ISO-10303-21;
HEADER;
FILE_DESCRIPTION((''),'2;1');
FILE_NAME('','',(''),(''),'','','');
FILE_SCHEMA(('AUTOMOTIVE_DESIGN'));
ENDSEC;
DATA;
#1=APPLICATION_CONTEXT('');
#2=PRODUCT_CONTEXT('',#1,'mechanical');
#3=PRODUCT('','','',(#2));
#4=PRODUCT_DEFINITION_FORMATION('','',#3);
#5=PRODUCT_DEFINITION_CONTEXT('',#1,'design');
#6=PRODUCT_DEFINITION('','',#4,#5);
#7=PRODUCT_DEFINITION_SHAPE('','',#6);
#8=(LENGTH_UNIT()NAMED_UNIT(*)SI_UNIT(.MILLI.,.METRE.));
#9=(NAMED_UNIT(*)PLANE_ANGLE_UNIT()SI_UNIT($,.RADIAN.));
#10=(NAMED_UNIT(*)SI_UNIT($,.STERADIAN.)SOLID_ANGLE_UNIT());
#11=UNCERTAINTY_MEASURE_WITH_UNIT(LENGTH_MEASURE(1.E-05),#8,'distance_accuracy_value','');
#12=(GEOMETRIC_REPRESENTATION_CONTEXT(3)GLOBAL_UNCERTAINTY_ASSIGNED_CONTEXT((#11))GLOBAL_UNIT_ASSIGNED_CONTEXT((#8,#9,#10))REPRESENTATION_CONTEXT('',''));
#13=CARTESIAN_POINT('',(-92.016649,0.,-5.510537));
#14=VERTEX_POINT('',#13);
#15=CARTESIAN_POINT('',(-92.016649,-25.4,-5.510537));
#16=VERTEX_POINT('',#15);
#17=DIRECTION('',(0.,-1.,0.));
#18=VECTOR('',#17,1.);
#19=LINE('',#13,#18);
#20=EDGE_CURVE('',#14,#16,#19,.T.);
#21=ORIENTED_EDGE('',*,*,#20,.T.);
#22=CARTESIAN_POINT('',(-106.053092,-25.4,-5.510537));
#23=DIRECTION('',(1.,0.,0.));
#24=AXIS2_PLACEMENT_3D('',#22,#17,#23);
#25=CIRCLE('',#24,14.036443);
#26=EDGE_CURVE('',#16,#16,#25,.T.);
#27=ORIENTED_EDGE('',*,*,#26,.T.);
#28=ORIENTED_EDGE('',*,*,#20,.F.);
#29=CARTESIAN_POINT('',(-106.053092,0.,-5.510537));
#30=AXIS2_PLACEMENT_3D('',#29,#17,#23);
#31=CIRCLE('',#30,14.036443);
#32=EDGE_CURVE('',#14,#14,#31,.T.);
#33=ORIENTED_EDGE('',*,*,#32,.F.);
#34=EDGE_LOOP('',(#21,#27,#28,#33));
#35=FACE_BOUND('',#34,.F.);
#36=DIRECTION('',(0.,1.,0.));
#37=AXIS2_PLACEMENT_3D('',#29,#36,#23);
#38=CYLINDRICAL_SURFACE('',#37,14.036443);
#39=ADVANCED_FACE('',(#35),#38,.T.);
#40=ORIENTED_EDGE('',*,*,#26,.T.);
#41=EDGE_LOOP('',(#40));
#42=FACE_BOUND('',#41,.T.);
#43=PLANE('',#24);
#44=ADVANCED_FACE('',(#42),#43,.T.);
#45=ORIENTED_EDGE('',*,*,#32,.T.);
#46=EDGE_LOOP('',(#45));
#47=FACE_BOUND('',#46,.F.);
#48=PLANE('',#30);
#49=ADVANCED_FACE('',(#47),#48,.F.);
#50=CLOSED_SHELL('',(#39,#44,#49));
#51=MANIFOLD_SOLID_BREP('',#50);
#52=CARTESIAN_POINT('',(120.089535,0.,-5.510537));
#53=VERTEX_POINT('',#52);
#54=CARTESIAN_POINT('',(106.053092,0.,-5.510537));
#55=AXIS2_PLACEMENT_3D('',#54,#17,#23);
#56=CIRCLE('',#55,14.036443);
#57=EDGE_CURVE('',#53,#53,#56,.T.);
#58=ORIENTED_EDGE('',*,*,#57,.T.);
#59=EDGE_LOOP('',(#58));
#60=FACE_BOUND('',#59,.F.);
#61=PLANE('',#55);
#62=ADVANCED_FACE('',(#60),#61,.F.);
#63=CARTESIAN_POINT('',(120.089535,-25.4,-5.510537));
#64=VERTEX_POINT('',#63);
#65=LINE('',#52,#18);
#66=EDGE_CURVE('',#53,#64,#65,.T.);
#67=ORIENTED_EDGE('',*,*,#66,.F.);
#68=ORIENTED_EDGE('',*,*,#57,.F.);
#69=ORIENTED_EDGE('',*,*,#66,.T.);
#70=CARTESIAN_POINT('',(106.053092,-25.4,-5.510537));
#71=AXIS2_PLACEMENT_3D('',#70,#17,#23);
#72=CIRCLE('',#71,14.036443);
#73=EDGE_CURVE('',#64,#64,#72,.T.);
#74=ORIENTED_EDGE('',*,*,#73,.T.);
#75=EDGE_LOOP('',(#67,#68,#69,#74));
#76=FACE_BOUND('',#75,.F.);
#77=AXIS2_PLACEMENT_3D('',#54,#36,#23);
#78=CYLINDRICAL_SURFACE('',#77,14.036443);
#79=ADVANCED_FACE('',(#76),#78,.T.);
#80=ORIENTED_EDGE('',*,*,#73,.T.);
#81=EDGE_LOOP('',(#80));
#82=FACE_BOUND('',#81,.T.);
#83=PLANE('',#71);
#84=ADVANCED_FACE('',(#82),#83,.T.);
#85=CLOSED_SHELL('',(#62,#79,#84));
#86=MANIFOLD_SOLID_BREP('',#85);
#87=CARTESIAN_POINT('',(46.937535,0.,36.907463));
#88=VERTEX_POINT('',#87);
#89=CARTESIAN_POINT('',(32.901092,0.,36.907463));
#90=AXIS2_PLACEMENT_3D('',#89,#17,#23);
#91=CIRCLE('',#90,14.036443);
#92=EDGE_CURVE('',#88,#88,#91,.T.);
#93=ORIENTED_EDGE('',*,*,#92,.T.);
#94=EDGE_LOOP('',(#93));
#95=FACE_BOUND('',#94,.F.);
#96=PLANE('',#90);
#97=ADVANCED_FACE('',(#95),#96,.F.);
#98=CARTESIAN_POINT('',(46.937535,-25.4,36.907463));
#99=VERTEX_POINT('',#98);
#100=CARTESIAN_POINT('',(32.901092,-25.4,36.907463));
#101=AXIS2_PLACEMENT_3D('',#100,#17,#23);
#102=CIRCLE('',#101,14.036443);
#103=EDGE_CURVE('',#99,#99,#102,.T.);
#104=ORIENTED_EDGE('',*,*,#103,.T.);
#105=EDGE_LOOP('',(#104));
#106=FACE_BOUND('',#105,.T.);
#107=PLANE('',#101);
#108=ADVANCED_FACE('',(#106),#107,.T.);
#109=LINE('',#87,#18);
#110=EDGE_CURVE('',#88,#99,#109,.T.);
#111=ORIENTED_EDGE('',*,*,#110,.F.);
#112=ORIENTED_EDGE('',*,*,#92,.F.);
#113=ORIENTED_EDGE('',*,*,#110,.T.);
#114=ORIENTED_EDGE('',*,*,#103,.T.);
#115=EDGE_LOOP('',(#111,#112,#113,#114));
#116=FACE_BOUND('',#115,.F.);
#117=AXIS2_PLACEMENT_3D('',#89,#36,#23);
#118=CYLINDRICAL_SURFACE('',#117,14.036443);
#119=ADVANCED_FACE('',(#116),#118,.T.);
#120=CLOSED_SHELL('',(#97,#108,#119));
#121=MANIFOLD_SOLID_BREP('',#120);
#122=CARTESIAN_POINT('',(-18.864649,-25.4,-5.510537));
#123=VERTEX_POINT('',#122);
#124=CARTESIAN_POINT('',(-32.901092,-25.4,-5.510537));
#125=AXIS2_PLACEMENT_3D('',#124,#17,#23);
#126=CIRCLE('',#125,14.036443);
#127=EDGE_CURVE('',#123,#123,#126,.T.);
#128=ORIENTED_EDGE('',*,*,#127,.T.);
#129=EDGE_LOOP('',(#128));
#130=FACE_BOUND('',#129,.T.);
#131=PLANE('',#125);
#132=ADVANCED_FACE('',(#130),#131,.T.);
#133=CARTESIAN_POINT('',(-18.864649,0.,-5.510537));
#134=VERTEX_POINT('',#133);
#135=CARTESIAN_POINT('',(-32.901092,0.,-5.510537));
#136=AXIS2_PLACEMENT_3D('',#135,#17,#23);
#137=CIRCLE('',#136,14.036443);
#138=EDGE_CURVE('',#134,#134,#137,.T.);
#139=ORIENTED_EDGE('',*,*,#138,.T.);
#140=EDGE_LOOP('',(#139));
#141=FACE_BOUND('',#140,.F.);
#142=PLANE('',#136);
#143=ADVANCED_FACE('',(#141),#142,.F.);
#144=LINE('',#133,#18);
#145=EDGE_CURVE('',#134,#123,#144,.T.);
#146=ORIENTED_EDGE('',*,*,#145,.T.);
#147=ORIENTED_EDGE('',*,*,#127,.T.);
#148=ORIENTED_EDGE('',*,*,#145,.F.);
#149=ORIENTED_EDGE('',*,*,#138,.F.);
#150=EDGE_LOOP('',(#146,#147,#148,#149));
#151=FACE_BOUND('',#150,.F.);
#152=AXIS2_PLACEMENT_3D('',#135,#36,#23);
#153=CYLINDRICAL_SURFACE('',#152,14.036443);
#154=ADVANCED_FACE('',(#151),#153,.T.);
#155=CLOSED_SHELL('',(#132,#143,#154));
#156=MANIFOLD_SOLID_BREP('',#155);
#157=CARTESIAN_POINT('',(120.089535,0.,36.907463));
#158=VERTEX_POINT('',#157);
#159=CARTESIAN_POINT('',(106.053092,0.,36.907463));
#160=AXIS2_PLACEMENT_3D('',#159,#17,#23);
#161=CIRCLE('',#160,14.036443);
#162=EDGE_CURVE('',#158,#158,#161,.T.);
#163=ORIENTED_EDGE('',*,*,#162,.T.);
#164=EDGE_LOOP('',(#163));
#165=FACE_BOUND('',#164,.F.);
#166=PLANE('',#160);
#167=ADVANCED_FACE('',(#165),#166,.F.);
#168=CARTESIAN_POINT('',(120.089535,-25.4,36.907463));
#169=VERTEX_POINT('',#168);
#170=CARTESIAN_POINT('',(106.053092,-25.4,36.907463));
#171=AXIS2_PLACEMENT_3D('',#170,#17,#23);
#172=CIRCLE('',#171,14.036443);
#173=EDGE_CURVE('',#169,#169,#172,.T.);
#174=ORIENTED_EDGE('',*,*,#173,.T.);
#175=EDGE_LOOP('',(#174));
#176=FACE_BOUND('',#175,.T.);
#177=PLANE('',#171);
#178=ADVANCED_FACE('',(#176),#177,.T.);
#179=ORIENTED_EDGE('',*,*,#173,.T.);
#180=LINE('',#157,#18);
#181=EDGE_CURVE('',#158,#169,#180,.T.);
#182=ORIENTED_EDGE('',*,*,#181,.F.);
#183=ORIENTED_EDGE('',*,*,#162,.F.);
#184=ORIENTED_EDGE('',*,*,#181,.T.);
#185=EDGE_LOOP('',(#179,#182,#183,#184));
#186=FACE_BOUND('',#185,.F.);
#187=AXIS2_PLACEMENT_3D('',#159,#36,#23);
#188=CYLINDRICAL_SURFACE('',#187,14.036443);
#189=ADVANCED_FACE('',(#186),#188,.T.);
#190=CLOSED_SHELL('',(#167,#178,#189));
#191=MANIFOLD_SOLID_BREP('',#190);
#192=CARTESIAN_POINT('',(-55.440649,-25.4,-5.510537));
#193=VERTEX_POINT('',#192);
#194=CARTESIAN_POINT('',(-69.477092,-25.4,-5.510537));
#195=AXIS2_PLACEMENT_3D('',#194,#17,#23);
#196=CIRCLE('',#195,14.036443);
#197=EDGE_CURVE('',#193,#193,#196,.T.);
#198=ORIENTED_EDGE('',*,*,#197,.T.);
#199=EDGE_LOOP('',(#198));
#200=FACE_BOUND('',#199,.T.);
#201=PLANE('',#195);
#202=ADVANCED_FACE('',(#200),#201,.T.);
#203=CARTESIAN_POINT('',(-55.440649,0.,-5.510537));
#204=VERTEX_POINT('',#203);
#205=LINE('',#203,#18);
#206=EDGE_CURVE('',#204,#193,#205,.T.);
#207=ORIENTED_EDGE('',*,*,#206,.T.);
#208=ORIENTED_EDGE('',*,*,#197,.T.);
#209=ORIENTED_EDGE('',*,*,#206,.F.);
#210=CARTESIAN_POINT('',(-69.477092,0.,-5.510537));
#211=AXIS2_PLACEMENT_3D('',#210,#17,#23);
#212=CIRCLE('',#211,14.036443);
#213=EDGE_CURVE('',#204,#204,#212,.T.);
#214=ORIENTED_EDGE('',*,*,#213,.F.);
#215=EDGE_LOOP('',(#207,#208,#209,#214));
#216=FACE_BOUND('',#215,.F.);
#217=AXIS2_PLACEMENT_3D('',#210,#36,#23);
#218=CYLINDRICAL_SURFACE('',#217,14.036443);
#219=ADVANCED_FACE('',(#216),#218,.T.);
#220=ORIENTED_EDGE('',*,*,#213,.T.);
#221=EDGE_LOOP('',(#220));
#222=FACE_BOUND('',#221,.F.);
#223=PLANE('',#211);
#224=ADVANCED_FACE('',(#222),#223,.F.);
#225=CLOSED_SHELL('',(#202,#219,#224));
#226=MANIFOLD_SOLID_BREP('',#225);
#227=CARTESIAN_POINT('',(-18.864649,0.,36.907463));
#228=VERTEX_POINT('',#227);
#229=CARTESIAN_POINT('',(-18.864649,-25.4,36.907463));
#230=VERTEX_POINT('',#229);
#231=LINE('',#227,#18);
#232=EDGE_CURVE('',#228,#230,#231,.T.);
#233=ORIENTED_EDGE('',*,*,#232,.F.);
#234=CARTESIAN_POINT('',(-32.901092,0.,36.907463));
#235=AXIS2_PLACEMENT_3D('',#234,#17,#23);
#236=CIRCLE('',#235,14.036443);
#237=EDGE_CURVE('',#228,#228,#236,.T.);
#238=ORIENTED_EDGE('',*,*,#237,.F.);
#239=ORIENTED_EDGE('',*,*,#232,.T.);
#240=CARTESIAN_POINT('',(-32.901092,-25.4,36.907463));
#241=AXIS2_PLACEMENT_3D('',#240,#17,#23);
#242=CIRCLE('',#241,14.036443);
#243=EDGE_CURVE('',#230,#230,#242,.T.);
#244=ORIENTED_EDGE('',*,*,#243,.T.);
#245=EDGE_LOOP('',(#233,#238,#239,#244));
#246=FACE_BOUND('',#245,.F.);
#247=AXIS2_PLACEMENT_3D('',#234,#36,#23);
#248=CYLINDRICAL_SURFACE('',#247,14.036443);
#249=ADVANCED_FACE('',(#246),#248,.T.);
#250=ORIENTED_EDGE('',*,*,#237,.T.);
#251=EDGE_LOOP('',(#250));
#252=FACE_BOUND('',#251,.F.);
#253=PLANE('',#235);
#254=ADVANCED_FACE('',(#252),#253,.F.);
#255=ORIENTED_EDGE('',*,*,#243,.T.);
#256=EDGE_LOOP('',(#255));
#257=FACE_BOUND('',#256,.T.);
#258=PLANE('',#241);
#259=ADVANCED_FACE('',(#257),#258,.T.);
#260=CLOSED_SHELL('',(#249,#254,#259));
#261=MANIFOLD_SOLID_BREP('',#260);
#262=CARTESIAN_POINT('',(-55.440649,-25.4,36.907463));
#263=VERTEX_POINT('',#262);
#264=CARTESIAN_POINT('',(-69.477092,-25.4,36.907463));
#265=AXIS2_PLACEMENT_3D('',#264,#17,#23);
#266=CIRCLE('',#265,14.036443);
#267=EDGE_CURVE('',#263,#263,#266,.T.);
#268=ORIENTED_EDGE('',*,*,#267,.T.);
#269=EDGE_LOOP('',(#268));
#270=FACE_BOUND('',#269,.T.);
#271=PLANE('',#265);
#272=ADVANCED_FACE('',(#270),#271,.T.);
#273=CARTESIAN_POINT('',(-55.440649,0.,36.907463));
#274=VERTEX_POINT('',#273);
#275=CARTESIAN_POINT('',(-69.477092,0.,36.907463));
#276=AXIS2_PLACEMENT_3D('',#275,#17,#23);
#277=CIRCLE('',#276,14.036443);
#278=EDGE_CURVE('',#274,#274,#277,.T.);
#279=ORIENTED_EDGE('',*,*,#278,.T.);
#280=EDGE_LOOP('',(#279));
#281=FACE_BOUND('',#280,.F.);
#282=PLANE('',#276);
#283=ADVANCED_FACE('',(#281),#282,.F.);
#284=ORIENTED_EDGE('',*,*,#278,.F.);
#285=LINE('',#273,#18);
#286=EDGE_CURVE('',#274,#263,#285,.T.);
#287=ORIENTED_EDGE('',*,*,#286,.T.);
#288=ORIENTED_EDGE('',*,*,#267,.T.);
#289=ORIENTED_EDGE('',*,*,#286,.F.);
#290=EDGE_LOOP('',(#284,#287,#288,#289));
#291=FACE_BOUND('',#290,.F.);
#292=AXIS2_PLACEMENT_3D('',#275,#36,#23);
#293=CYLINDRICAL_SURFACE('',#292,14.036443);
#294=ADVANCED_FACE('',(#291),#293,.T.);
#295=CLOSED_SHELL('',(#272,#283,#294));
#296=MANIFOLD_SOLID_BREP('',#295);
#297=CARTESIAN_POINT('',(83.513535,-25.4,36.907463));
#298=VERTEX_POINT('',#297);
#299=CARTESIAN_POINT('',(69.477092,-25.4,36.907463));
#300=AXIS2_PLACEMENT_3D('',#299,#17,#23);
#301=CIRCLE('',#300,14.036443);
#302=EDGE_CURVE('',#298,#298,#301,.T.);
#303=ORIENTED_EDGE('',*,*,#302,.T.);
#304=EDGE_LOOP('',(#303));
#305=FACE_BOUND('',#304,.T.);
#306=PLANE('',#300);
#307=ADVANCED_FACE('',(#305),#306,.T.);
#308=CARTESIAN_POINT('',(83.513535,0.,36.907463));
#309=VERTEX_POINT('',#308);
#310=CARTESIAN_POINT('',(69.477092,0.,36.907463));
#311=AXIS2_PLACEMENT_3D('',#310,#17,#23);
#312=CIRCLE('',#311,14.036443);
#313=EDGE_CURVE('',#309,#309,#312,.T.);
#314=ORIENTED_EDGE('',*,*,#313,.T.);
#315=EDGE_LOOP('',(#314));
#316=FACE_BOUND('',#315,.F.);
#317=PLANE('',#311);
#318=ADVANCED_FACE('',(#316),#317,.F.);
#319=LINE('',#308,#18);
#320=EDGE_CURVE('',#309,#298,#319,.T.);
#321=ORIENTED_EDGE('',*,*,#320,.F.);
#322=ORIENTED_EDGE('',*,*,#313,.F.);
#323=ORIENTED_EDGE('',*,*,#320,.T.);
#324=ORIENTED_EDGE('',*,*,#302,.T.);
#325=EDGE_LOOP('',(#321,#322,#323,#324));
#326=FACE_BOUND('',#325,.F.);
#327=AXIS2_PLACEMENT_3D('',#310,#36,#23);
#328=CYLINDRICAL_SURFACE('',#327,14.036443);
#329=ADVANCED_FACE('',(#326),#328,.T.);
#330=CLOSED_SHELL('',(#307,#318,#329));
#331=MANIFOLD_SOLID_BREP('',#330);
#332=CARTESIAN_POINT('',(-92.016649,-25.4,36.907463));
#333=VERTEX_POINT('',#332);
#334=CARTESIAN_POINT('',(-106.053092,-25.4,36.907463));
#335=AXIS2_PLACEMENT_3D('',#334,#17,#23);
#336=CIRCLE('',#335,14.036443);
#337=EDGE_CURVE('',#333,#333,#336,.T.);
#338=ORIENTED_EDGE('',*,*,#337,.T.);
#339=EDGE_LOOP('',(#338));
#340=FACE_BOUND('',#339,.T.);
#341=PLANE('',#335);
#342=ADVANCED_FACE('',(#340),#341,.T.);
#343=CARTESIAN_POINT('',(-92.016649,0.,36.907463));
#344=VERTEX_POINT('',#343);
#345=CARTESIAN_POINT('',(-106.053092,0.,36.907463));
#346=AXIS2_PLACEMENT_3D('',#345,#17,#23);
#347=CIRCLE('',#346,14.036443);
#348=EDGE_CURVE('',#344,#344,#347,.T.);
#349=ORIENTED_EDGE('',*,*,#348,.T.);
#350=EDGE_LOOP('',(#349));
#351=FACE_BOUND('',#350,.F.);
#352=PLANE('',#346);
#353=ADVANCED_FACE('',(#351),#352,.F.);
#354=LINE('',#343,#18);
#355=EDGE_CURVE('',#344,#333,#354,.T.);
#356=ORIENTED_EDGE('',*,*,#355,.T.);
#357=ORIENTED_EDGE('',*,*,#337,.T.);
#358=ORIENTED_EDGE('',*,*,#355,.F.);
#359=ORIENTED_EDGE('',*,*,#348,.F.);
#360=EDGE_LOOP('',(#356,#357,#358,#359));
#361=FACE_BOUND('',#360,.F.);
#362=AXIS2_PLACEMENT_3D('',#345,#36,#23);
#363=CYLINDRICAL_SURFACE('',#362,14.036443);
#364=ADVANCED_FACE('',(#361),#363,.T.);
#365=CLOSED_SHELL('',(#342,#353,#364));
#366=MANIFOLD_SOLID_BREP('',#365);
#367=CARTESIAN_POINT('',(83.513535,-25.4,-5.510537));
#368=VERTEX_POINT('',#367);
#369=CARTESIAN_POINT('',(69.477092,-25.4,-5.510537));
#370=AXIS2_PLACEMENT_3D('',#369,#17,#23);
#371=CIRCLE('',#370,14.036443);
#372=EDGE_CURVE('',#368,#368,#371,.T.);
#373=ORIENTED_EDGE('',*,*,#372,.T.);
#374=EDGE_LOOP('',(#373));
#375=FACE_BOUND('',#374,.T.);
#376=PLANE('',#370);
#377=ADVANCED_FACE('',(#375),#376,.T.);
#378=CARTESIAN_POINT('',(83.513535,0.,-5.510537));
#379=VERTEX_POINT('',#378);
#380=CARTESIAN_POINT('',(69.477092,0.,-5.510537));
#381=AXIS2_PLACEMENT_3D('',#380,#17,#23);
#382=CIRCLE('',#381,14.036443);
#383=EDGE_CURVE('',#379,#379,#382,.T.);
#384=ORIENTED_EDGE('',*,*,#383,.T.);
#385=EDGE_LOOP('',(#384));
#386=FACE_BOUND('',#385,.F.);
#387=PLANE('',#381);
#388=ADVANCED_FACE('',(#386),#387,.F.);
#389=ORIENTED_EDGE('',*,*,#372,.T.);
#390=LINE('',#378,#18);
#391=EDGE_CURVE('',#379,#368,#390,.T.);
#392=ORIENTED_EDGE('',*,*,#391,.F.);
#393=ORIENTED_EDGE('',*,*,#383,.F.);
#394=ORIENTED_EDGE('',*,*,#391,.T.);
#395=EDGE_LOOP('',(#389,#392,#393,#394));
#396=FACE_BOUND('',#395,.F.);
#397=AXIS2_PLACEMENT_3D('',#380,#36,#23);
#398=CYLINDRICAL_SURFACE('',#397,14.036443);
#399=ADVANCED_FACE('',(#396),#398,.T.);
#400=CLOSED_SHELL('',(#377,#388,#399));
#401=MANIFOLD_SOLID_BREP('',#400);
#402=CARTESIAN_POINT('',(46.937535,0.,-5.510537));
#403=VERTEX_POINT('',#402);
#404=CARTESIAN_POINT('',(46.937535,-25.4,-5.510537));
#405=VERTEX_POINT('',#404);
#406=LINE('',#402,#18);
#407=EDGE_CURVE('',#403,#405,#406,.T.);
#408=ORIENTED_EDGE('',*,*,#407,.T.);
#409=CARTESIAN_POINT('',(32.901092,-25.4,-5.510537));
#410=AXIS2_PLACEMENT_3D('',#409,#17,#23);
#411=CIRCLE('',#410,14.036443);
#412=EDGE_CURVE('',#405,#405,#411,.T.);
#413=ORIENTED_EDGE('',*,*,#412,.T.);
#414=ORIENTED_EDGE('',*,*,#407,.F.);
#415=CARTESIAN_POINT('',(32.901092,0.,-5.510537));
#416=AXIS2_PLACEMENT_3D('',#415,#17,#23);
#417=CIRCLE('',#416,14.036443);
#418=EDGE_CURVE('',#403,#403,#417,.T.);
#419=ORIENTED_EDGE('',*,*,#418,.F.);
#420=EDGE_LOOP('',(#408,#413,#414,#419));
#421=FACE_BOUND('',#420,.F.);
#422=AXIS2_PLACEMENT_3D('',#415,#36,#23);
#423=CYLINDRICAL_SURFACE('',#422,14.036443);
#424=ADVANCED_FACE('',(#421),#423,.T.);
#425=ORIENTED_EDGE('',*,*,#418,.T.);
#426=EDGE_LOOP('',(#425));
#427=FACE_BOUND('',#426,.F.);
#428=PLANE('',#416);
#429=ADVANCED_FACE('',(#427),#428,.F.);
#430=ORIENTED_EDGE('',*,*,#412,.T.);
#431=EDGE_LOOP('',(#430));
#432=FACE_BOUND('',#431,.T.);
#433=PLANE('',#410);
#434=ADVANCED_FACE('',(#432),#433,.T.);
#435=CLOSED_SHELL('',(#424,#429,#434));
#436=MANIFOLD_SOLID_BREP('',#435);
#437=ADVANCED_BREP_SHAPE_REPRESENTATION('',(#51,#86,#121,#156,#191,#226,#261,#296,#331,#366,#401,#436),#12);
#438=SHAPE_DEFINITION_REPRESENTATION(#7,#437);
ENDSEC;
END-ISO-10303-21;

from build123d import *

# Parameters (mm, degrees)
F0_R     = 14.036443
F1_DEPTH = 25.4


with BuildPart() as f1:
    # F0 (on Front) → F1 (new body)
    with BuildSketch(Plane.XZ):
        with Locations((-106.053092, -5.510537)):
            Circle(F0_R)
        with Locations((-106.053092, 36.907463)):
            Circle(F0_R)
        with Locations((-69.477092, -5.510537)):
            Circle(F0_R)
        with Locations((-69.477092, 36.907463)):
            Circle(F0_R)
        with Locations((-32.901092, -5.510537)):
            Circle(F0_R)
        with Locations((-32.901092, 36.907463)):
            Circle(F0_R)
        with Locations((69.477092, 36.907463)):
            Circle(F0_R)
        with Locations((69.477092, -5.510537)):
            Circle(F0_R)
        with Locations((106.053092, 36.907463)):
            Circle(F0_R)
        with Locations((106.053092, -5.510537)):
            Circle(F0_R)
        with Locations((32.901092, 36.907463)):
            Circle(F0_R)
        with Locations((32.901092, -5.510537)):
            Circle(F0_R)
    extrude(amount=F1_DEPTH)


solid = f1.part
